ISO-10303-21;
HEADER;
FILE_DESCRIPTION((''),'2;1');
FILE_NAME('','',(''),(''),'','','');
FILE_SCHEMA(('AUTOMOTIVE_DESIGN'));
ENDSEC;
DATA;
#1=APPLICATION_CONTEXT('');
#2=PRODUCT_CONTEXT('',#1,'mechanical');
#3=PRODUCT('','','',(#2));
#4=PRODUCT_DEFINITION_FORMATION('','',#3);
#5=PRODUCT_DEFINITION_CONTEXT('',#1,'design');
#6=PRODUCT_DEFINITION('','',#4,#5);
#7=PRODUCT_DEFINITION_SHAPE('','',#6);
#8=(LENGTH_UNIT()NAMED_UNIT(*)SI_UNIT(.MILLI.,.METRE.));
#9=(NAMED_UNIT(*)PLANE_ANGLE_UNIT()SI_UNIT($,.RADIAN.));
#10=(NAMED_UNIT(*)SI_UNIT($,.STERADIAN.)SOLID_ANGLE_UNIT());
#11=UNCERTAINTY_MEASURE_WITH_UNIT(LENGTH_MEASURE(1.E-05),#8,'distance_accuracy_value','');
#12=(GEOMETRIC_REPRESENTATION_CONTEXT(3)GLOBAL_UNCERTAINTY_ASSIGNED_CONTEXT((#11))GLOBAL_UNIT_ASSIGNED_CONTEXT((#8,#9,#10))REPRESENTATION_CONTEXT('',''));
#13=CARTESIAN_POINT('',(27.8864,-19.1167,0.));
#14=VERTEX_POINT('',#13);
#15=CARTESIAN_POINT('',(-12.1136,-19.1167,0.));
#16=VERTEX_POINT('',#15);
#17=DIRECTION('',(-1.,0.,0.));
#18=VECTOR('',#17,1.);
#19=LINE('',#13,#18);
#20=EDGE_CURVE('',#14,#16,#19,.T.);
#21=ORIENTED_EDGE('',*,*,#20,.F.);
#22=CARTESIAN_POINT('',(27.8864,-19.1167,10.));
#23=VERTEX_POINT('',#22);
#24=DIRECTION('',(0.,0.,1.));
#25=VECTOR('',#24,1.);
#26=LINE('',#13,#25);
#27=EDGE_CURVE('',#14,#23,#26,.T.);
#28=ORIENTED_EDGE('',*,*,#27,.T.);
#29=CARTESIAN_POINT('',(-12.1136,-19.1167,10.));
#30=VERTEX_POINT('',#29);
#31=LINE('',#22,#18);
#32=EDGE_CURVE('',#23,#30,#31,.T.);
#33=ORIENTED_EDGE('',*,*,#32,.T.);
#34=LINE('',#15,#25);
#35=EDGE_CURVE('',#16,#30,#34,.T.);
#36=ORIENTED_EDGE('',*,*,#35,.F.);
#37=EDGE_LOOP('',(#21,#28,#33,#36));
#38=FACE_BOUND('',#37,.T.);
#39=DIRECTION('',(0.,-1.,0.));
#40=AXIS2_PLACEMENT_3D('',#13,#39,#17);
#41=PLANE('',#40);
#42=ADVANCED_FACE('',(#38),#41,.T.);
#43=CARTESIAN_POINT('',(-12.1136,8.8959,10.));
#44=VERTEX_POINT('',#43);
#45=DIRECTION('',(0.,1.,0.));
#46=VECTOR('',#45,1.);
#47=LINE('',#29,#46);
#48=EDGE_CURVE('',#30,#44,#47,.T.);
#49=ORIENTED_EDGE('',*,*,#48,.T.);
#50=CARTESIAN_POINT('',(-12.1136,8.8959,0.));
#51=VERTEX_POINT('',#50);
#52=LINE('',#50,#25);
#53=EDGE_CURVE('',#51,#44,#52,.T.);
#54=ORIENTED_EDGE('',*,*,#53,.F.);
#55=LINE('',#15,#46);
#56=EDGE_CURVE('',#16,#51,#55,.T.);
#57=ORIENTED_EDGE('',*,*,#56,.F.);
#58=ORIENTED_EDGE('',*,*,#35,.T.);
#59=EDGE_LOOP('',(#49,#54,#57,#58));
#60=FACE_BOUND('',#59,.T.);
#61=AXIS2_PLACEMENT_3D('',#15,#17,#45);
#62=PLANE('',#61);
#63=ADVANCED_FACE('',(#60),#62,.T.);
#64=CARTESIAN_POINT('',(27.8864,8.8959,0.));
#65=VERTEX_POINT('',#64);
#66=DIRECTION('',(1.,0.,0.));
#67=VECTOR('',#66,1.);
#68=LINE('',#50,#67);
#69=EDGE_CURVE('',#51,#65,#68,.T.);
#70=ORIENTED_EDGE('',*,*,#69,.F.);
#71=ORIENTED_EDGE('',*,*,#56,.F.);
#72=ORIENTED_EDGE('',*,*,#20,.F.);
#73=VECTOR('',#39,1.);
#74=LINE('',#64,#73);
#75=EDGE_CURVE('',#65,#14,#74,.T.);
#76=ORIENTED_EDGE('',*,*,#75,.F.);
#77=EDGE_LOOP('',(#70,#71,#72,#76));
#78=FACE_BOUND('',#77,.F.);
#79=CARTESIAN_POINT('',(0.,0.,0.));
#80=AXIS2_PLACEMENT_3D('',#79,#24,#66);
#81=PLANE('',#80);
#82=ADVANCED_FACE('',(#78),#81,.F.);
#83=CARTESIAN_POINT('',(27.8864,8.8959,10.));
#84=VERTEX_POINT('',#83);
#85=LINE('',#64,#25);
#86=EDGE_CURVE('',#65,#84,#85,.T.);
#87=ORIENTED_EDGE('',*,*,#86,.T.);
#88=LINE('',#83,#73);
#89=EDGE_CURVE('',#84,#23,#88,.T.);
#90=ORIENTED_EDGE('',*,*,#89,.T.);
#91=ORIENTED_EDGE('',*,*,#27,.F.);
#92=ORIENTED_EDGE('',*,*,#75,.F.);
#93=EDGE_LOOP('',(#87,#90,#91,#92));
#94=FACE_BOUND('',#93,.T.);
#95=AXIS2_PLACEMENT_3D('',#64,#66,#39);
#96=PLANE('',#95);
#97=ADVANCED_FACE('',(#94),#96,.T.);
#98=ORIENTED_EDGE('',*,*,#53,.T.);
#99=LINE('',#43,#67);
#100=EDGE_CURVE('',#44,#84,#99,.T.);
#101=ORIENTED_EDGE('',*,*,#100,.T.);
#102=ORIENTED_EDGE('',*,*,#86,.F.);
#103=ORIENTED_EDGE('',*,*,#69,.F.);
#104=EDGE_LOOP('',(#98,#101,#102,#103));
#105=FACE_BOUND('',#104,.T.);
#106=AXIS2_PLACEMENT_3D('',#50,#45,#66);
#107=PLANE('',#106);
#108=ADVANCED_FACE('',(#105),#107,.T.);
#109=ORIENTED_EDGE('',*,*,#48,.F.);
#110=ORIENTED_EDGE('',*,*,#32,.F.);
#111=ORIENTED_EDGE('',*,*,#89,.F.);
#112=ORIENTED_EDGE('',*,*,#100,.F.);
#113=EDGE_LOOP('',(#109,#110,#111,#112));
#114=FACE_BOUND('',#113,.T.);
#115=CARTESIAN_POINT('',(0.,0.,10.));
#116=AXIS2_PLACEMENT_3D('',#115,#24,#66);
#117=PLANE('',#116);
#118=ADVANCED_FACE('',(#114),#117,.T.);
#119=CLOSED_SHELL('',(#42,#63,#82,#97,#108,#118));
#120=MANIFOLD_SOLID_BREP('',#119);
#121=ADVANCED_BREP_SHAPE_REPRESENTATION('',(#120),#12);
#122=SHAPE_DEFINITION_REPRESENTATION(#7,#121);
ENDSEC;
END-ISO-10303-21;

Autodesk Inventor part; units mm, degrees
ref_plane "YZ Plane" through (0, 0, 0) normal (1, 0, 0) x (0, 1, 0)
ref_plane "XZ Plane" through (0, 0, 0) normal (0, 1, 0) x (-1, 0, 0)
ref_plane "XY Plane" through (0, 0, 0) normal (0, 0, 1) x (1, 0, 0)
sketch "Sketch1" plane through (0, 0, 0) normal (0, 0, 1) x (1, 0, 0)
  line L0 (-12.1136, 8.8959) -> (27.8864, 8.8959)
  line L1 (27.8864, 8.8959) -> (27.8864, -19.1167)
  line L2 (27.8864, -19.1167) -> (-12.1136, -19.1167)
  line L3 (-12.1136, -19.1167) -> (-12.1136, 8.8959)
  point P0 (0, 0)
  dimension "d0" = 40
extrude "Extrusion1" add sketch "Sketch1" along normal blind 10
properties part number "power board"
